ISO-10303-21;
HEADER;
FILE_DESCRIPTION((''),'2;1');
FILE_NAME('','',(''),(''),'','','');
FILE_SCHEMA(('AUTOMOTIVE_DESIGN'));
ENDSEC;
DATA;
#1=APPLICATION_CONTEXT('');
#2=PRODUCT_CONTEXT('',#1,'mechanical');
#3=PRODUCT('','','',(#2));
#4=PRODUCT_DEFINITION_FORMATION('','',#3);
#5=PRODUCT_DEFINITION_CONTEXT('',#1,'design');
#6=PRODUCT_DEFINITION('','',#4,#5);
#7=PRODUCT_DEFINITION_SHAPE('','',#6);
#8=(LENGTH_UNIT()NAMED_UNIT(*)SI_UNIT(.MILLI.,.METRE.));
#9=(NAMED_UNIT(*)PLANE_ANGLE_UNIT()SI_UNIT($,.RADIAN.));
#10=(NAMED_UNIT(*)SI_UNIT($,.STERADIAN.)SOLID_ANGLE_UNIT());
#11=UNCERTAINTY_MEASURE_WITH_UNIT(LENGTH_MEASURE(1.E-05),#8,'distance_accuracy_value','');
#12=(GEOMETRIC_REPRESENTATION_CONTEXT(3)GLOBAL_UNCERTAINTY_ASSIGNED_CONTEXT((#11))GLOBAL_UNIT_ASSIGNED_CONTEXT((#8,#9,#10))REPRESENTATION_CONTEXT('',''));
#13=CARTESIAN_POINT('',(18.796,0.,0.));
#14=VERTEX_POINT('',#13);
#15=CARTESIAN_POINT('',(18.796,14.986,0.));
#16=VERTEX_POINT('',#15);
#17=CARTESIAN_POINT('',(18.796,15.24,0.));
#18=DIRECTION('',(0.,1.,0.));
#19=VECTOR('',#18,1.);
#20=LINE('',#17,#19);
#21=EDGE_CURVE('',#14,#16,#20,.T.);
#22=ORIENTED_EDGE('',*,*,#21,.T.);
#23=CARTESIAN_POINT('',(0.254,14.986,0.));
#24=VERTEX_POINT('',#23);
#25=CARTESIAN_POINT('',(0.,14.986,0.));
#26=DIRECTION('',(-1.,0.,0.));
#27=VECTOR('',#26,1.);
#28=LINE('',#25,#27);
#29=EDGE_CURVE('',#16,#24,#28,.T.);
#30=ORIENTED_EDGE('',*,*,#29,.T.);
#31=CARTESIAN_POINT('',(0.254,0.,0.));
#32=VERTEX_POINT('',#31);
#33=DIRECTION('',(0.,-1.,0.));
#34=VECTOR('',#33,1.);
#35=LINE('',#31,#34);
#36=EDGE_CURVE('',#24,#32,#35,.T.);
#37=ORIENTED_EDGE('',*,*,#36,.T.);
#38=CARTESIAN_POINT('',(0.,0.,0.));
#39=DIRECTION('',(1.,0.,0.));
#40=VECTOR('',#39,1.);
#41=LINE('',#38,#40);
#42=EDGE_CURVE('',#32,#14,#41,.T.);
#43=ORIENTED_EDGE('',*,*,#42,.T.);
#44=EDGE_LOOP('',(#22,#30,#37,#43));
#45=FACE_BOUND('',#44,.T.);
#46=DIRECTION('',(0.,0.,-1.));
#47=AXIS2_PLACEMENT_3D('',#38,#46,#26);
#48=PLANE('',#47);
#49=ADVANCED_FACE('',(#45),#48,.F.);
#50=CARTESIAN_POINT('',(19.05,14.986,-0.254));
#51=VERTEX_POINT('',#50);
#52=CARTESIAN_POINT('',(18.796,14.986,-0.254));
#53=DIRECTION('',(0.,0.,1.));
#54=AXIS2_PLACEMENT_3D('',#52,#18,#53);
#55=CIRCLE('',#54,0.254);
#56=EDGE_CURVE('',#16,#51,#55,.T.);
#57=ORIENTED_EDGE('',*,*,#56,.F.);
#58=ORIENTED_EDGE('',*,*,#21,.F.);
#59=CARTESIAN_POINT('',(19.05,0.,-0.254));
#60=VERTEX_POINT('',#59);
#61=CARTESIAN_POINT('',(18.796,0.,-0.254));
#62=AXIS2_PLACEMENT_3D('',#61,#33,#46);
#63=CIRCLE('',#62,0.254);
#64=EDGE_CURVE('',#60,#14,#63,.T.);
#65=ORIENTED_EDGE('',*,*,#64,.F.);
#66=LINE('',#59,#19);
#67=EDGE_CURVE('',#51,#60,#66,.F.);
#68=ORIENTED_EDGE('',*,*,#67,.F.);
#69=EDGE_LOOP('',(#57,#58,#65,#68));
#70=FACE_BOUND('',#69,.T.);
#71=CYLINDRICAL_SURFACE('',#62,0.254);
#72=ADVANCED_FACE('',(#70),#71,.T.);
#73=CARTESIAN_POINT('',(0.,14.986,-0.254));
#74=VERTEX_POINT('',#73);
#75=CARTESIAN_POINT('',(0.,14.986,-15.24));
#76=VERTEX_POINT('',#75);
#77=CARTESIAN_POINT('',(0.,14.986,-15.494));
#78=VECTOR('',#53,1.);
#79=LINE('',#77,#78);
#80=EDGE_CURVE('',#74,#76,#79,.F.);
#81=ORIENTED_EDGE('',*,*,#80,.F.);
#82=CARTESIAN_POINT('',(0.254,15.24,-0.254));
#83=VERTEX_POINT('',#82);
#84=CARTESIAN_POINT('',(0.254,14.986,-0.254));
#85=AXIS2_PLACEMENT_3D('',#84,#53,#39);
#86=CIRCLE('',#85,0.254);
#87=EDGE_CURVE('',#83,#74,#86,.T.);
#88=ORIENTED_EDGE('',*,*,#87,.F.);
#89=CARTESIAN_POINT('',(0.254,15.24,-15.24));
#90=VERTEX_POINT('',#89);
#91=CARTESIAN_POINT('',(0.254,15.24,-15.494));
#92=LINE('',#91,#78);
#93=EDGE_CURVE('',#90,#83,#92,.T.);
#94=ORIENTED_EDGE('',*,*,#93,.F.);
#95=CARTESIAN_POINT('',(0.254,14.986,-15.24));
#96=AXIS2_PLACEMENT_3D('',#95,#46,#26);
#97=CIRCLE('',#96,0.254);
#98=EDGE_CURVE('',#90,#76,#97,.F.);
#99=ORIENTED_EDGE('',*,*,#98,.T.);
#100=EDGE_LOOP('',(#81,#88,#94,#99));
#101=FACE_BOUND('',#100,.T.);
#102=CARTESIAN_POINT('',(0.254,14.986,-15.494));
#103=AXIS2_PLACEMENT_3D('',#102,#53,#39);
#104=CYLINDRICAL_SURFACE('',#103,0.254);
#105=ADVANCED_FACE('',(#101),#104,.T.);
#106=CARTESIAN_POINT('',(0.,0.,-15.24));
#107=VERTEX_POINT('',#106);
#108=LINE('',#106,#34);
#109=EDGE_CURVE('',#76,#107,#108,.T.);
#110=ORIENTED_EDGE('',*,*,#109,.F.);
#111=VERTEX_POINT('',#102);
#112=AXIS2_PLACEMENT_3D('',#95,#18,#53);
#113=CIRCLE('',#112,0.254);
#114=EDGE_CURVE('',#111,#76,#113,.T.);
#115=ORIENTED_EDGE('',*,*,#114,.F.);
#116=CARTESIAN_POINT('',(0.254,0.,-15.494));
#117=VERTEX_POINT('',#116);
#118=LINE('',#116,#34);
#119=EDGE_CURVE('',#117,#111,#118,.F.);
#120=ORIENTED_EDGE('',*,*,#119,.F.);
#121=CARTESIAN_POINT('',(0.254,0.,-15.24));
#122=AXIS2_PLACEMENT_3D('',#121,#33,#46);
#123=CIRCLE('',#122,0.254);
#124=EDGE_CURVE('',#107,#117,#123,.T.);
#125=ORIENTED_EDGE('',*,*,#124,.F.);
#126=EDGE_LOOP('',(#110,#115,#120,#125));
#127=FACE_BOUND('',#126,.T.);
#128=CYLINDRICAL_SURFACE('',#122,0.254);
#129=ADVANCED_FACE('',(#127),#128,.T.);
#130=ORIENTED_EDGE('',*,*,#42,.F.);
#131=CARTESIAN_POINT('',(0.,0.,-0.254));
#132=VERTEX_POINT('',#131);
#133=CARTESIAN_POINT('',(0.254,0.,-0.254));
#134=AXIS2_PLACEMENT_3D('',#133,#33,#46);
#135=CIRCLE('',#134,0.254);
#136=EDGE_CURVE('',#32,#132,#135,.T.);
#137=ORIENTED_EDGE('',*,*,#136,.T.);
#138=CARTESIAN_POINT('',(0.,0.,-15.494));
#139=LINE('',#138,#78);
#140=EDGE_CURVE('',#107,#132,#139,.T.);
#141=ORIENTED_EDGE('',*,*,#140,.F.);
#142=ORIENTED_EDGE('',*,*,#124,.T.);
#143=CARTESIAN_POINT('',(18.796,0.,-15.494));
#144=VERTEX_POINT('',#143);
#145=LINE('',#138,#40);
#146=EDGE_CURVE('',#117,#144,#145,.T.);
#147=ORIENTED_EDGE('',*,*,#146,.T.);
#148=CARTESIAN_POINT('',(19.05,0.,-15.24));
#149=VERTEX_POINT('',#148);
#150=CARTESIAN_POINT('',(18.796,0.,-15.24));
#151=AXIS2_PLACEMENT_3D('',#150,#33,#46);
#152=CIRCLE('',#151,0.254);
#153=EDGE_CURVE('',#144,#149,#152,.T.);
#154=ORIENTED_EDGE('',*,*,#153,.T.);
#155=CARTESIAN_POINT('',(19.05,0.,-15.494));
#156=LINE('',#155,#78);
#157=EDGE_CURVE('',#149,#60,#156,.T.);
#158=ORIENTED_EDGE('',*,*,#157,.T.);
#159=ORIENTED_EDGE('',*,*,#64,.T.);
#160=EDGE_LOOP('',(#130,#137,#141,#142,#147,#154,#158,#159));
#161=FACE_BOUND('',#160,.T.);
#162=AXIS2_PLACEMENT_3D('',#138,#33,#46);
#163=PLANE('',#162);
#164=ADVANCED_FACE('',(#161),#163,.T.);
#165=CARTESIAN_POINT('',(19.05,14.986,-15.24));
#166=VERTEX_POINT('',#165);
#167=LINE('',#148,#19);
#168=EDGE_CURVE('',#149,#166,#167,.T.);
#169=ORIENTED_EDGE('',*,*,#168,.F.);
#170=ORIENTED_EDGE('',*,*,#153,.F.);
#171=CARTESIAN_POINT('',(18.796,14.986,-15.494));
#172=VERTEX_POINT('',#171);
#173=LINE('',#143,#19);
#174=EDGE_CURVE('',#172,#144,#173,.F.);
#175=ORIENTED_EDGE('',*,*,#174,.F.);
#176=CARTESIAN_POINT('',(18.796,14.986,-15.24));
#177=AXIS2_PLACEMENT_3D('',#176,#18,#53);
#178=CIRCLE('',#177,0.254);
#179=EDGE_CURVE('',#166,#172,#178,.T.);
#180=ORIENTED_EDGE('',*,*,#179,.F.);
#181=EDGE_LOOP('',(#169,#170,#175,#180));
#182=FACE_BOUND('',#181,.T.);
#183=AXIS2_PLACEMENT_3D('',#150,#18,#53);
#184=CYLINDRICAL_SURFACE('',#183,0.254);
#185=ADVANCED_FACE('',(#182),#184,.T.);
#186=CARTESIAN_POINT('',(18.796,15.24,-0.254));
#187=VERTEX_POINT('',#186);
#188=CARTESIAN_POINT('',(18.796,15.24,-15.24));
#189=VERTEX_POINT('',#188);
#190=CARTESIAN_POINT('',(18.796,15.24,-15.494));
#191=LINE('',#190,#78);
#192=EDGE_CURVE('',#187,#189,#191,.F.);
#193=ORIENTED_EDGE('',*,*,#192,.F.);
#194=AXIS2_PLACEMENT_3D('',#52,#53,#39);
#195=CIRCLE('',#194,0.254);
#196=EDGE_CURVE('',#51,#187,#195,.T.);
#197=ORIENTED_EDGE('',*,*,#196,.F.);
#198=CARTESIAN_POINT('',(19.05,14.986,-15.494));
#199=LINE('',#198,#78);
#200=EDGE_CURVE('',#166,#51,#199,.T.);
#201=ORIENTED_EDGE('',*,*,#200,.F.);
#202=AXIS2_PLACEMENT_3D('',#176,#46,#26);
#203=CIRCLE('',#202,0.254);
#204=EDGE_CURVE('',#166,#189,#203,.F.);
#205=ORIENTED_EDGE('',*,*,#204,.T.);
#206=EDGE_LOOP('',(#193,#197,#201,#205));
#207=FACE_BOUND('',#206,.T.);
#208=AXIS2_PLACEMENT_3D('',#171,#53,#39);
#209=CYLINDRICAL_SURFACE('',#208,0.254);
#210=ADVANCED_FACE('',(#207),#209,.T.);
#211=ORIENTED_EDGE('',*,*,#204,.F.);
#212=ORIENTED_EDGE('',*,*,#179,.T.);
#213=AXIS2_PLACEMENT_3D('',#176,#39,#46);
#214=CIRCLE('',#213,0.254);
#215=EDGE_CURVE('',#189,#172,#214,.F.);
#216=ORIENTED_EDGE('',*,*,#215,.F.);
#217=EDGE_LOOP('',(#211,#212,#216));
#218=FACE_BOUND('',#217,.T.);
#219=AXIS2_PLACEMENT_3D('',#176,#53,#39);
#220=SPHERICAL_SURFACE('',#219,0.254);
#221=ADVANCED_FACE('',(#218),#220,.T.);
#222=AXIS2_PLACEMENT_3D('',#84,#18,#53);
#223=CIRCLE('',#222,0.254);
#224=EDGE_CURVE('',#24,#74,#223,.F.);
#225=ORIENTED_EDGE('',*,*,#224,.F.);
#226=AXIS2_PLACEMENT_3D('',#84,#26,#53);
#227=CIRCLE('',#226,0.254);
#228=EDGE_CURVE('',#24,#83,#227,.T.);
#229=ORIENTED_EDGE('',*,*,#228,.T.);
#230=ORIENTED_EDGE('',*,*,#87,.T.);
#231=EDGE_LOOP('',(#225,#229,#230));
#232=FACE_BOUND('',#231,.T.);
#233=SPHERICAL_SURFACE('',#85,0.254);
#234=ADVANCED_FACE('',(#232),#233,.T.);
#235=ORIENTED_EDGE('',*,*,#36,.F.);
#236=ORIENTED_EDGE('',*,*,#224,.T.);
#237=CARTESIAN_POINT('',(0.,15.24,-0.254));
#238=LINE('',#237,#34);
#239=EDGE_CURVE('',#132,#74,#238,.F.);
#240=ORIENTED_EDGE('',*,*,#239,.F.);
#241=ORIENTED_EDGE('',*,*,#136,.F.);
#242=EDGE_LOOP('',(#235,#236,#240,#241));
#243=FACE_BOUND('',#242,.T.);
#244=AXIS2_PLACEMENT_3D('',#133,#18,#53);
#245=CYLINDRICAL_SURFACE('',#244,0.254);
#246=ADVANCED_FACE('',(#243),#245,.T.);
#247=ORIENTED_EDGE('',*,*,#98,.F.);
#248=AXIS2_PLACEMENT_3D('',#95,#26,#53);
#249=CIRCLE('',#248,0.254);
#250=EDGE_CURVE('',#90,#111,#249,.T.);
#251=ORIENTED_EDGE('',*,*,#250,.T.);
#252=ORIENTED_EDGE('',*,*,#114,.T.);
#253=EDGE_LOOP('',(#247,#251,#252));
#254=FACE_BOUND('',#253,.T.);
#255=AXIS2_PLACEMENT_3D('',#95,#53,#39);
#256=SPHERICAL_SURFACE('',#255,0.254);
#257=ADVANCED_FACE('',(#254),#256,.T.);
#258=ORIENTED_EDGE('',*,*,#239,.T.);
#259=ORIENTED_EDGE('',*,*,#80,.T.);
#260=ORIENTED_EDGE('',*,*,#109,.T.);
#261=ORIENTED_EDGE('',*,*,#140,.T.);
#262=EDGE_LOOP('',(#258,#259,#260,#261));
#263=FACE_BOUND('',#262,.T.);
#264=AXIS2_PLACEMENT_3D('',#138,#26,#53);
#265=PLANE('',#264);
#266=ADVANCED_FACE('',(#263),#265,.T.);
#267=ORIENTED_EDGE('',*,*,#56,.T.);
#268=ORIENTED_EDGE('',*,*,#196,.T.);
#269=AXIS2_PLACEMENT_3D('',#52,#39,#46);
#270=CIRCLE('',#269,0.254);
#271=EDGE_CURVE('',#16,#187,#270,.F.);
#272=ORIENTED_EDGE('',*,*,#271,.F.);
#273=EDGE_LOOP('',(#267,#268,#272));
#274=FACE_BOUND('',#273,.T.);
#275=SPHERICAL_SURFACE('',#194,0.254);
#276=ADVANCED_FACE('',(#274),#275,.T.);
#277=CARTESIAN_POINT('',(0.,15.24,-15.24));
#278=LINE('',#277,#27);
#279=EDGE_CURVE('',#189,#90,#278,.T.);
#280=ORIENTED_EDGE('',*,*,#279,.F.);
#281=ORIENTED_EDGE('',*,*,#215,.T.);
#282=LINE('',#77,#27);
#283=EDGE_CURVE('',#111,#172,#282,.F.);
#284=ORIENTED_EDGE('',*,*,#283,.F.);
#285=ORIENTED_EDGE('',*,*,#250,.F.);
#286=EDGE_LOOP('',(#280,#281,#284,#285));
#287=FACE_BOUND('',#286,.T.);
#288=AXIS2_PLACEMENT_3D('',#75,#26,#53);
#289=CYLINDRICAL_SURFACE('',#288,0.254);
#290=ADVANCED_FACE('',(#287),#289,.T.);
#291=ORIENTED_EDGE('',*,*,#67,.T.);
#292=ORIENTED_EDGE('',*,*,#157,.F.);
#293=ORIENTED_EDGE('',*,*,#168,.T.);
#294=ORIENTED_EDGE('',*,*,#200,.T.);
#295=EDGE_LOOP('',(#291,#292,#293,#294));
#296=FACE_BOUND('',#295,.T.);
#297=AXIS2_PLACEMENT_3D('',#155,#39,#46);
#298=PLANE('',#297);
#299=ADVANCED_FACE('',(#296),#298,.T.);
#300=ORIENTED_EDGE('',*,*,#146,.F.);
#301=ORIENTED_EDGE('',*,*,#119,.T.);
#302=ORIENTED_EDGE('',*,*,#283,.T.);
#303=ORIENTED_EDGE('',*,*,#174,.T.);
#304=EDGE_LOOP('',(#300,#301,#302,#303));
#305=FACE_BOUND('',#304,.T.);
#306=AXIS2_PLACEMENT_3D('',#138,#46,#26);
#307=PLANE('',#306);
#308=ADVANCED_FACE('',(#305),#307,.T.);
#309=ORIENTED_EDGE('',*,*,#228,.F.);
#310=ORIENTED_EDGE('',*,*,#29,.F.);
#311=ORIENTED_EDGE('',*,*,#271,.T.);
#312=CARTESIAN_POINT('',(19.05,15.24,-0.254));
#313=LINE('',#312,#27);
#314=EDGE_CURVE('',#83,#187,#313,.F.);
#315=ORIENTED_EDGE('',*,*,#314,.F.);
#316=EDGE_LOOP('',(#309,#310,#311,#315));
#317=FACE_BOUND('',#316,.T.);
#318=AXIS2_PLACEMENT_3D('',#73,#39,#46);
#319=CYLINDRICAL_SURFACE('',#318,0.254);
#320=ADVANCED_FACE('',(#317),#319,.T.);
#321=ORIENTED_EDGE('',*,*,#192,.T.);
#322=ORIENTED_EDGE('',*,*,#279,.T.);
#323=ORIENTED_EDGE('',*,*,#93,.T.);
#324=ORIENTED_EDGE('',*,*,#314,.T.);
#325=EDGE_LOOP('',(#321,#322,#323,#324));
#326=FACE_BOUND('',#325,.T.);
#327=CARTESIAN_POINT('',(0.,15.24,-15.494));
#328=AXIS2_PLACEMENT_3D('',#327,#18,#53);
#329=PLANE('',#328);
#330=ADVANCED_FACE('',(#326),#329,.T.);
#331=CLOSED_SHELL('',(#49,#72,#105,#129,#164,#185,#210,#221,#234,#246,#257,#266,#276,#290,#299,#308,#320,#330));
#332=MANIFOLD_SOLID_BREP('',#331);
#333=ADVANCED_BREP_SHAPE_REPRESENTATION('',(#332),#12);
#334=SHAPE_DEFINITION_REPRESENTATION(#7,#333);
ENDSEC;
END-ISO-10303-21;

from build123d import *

# Parameters (mm, degrees)
SKETCH_1_W      = 19.05
SKETCH_1_H      = 15.24
EXTRUDE_1_DEPTH = 15.494
FILLET_1_R      = 0.254


with BuildPart() as part:
    # 草图1 → 凸台-拉伸1 (new body)
    with BuildSketch(Plane.XY):
        with Locations((9.525, 7.62)):
            Rectangle(SKETCH_1_W, SKETCH_1_H)
    extrude(amount=-EXTRUDE_1_DEPTH)

    # 圆角1
    fillet_1_edges = [part.edges().sort_by_distance(p)[0] for p in [
        (19.05, 7.62, -15.494),
        (9.525, 15.24, -15.494),
        (0, 7.62, -15.494),
        (9.525, 15.24, 0),
        (19.05, 7.62, 0),
        (0, 7.62, 0),
        (0, 15.24, -7.747),
        (19.05, 15.24, -7.747),
    ]]
    fillet(fillet_1_edges, radius=FILLET_1_R)


solid = part.part
